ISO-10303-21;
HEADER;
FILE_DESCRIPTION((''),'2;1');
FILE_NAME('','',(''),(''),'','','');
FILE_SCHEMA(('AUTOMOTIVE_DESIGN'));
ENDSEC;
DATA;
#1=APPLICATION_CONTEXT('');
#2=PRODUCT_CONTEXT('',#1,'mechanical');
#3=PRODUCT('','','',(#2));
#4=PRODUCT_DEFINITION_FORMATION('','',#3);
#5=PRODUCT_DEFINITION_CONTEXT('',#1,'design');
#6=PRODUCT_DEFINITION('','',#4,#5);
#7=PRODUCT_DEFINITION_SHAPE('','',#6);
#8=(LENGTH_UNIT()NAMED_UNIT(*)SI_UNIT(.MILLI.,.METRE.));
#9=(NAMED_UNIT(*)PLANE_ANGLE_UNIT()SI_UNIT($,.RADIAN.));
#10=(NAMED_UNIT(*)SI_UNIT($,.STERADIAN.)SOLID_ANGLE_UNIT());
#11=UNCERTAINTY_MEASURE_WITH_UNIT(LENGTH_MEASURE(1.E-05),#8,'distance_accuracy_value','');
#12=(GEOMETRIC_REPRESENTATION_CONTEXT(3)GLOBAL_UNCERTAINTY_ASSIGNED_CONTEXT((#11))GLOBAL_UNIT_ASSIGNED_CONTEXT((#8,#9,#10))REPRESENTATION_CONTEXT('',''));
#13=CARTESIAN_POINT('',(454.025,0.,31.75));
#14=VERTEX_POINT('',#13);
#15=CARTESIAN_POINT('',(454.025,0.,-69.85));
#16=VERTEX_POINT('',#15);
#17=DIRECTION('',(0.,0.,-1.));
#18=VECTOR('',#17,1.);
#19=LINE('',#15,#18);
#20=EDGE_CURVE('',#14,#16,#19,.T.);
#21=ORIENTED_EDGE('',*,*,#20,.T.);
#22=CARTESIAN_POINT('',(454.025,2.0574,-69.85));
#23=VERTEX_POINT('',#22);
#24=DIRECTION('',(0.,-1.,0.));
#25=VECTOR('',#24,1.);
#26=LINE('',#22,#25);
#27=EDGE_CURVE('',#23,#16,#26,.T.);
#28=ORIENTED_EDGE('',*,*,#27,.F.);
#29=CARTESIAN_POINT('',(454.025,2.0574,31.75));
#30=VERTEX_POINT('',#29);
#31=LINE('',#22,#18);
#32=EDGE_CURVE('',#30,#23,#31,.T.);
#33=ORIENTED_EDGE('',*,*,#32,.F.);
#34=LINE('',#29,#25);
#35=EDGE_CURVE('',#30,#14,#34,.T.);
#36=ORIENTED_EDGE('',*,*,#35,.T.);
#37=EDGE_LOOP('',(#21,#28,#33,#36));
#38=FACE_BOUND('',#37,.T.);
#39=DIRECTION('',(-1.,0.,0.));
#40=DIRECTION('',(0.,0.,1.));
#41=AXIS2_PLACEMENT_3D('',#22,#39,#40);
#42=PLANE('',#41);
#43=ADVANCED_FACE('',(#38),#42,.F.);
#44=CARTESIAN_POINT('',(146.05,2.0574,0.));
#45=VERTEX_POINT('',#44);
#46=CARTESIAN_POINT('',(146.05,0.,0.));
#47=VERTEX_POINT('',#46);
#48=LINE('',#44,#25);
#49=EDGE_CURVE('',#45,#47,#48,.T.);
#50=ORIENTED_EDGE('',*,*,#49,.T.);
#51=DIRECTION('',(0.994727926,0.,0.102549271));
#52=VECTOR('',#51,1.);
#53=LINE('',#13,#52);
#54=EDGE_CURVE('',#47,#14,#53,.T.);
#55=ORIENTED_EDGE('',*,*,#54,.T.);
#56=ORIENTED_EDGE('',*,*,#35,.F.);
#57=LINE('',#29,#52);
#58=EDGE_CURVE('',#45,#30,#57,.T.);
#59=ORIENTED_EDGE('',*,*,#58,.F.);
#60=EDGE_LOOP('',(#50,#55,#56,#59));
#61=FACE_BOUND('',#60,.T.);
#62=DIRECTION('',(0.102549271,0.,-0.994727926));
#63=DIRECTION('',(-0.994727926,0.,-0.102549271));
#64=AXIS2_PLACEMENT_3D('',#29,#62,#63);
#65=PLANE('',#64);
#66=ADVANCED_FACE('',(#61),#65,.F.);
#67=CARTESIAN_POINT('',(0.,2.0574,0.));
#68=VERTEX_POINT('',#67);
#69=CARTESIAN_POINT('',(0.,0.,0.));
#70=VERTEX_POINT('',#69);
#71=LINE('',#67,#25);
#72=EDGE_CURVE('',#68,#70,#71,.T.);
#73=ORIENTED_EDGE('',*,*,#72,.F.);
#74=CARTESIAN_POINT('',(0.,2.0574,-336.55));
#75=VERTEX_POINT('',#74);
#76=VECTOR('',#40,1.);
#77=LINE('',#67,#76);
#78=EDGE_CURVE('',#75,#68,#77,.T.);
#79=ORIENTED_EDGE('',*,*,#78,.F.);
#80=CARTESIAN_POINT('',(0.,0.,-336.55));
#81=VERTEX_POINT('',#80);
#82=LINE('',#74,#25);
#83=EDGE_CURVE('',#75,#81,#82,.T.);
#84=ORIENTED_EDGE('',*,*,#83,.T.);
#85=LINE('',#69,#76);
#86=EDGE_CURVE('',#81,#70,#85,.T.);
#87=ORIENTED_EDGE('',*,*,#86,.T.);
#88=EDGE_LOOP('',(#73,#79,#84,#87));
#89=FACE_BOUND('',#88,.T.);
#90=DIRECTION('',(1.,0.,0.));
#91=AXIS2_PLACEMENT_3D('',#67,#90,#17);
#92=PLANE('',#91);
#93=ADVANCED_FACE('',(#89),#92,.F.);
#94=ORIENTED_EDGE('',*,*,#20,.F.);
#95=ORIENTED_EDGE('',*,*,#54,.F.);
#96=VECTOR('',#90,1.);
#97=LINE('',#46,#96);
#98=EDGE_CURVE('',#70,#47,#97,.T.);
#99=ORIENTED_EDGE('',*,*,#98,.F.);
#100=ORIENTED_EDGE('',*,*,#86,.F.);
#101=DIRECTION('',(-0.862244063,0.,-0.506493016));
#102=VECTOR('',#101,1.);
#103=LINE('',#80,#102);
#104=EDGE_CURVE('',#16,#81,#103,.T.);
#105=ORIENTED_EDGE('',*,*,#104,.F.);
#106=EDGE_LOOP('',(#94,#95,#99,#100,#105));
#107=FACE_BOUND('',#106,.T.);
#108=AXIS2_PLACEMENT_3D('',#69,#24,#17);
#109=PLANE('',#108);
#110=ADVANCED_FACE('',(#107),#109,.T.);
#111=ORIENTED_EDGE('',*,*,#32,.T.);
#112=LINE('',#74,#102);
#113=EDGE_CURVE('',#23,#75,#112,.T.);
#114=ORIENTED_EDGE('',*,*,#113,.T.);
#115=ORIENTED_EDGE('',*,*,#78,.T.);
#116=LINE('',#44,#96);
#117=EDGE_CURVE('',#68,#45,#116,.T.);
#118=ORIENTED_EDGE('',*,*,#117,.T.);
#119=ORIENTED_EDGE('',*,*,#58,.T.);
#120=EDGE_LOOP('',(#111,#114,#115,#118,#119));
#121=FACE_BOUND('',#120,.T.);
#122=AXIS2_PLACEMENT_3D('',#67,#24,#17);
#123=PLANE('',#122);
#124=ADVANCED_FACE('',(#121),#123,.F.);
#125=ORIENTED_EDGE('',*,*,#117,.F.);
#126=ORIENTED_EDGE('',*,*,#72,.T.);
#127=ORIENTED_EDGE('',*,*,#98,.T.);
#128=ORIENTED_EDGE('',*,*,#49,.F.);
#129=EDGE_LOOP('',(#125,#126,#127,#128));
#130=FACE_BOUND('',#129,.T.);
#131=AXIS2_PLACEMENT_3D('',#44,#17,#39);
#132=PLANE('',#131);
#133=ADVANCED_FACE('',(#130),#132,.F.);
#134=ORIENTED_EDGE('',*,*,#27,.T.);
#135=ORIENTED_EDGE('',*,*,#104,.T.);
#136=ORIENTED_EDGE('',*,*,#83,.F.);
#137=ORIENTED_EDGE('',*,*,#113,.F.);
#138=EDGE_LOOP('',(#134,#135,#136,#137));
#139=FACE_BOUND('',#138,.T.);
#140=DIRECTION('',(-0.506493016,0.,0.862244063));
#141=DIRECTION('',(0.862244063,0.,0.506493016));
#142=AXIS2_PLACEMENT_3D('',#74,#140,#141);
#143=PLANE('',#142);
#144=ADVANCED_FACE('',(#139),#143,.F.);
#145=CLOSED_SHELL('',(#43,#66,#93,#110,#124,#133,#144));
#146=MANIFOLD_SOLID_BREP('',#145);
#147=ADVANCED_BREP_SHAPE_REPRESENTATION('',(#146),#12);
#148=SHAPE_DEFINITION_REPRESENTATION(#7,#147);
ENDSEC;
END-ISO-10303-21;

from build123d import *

# Parameters (mm, degrees)
BOSS_EXTRUDE1_DEPTH = 2.0574


with BuildPart() as part:
    # Sketch1 → Boss-Extrude1 (new body)
    with BuildSketch(Plane(origin=(0, 0, 0), x_dir=(1, 0, 0), z_dir=(0, 1, 0))):
        Polygon((0, 0), (0, 336.55), (454.025, 69.85), (454.025, -31.75), (146.05, 0), align=None)
    extrude(amount=BOSS_EXTRUDE1_DEPTH)


solid = part.part
